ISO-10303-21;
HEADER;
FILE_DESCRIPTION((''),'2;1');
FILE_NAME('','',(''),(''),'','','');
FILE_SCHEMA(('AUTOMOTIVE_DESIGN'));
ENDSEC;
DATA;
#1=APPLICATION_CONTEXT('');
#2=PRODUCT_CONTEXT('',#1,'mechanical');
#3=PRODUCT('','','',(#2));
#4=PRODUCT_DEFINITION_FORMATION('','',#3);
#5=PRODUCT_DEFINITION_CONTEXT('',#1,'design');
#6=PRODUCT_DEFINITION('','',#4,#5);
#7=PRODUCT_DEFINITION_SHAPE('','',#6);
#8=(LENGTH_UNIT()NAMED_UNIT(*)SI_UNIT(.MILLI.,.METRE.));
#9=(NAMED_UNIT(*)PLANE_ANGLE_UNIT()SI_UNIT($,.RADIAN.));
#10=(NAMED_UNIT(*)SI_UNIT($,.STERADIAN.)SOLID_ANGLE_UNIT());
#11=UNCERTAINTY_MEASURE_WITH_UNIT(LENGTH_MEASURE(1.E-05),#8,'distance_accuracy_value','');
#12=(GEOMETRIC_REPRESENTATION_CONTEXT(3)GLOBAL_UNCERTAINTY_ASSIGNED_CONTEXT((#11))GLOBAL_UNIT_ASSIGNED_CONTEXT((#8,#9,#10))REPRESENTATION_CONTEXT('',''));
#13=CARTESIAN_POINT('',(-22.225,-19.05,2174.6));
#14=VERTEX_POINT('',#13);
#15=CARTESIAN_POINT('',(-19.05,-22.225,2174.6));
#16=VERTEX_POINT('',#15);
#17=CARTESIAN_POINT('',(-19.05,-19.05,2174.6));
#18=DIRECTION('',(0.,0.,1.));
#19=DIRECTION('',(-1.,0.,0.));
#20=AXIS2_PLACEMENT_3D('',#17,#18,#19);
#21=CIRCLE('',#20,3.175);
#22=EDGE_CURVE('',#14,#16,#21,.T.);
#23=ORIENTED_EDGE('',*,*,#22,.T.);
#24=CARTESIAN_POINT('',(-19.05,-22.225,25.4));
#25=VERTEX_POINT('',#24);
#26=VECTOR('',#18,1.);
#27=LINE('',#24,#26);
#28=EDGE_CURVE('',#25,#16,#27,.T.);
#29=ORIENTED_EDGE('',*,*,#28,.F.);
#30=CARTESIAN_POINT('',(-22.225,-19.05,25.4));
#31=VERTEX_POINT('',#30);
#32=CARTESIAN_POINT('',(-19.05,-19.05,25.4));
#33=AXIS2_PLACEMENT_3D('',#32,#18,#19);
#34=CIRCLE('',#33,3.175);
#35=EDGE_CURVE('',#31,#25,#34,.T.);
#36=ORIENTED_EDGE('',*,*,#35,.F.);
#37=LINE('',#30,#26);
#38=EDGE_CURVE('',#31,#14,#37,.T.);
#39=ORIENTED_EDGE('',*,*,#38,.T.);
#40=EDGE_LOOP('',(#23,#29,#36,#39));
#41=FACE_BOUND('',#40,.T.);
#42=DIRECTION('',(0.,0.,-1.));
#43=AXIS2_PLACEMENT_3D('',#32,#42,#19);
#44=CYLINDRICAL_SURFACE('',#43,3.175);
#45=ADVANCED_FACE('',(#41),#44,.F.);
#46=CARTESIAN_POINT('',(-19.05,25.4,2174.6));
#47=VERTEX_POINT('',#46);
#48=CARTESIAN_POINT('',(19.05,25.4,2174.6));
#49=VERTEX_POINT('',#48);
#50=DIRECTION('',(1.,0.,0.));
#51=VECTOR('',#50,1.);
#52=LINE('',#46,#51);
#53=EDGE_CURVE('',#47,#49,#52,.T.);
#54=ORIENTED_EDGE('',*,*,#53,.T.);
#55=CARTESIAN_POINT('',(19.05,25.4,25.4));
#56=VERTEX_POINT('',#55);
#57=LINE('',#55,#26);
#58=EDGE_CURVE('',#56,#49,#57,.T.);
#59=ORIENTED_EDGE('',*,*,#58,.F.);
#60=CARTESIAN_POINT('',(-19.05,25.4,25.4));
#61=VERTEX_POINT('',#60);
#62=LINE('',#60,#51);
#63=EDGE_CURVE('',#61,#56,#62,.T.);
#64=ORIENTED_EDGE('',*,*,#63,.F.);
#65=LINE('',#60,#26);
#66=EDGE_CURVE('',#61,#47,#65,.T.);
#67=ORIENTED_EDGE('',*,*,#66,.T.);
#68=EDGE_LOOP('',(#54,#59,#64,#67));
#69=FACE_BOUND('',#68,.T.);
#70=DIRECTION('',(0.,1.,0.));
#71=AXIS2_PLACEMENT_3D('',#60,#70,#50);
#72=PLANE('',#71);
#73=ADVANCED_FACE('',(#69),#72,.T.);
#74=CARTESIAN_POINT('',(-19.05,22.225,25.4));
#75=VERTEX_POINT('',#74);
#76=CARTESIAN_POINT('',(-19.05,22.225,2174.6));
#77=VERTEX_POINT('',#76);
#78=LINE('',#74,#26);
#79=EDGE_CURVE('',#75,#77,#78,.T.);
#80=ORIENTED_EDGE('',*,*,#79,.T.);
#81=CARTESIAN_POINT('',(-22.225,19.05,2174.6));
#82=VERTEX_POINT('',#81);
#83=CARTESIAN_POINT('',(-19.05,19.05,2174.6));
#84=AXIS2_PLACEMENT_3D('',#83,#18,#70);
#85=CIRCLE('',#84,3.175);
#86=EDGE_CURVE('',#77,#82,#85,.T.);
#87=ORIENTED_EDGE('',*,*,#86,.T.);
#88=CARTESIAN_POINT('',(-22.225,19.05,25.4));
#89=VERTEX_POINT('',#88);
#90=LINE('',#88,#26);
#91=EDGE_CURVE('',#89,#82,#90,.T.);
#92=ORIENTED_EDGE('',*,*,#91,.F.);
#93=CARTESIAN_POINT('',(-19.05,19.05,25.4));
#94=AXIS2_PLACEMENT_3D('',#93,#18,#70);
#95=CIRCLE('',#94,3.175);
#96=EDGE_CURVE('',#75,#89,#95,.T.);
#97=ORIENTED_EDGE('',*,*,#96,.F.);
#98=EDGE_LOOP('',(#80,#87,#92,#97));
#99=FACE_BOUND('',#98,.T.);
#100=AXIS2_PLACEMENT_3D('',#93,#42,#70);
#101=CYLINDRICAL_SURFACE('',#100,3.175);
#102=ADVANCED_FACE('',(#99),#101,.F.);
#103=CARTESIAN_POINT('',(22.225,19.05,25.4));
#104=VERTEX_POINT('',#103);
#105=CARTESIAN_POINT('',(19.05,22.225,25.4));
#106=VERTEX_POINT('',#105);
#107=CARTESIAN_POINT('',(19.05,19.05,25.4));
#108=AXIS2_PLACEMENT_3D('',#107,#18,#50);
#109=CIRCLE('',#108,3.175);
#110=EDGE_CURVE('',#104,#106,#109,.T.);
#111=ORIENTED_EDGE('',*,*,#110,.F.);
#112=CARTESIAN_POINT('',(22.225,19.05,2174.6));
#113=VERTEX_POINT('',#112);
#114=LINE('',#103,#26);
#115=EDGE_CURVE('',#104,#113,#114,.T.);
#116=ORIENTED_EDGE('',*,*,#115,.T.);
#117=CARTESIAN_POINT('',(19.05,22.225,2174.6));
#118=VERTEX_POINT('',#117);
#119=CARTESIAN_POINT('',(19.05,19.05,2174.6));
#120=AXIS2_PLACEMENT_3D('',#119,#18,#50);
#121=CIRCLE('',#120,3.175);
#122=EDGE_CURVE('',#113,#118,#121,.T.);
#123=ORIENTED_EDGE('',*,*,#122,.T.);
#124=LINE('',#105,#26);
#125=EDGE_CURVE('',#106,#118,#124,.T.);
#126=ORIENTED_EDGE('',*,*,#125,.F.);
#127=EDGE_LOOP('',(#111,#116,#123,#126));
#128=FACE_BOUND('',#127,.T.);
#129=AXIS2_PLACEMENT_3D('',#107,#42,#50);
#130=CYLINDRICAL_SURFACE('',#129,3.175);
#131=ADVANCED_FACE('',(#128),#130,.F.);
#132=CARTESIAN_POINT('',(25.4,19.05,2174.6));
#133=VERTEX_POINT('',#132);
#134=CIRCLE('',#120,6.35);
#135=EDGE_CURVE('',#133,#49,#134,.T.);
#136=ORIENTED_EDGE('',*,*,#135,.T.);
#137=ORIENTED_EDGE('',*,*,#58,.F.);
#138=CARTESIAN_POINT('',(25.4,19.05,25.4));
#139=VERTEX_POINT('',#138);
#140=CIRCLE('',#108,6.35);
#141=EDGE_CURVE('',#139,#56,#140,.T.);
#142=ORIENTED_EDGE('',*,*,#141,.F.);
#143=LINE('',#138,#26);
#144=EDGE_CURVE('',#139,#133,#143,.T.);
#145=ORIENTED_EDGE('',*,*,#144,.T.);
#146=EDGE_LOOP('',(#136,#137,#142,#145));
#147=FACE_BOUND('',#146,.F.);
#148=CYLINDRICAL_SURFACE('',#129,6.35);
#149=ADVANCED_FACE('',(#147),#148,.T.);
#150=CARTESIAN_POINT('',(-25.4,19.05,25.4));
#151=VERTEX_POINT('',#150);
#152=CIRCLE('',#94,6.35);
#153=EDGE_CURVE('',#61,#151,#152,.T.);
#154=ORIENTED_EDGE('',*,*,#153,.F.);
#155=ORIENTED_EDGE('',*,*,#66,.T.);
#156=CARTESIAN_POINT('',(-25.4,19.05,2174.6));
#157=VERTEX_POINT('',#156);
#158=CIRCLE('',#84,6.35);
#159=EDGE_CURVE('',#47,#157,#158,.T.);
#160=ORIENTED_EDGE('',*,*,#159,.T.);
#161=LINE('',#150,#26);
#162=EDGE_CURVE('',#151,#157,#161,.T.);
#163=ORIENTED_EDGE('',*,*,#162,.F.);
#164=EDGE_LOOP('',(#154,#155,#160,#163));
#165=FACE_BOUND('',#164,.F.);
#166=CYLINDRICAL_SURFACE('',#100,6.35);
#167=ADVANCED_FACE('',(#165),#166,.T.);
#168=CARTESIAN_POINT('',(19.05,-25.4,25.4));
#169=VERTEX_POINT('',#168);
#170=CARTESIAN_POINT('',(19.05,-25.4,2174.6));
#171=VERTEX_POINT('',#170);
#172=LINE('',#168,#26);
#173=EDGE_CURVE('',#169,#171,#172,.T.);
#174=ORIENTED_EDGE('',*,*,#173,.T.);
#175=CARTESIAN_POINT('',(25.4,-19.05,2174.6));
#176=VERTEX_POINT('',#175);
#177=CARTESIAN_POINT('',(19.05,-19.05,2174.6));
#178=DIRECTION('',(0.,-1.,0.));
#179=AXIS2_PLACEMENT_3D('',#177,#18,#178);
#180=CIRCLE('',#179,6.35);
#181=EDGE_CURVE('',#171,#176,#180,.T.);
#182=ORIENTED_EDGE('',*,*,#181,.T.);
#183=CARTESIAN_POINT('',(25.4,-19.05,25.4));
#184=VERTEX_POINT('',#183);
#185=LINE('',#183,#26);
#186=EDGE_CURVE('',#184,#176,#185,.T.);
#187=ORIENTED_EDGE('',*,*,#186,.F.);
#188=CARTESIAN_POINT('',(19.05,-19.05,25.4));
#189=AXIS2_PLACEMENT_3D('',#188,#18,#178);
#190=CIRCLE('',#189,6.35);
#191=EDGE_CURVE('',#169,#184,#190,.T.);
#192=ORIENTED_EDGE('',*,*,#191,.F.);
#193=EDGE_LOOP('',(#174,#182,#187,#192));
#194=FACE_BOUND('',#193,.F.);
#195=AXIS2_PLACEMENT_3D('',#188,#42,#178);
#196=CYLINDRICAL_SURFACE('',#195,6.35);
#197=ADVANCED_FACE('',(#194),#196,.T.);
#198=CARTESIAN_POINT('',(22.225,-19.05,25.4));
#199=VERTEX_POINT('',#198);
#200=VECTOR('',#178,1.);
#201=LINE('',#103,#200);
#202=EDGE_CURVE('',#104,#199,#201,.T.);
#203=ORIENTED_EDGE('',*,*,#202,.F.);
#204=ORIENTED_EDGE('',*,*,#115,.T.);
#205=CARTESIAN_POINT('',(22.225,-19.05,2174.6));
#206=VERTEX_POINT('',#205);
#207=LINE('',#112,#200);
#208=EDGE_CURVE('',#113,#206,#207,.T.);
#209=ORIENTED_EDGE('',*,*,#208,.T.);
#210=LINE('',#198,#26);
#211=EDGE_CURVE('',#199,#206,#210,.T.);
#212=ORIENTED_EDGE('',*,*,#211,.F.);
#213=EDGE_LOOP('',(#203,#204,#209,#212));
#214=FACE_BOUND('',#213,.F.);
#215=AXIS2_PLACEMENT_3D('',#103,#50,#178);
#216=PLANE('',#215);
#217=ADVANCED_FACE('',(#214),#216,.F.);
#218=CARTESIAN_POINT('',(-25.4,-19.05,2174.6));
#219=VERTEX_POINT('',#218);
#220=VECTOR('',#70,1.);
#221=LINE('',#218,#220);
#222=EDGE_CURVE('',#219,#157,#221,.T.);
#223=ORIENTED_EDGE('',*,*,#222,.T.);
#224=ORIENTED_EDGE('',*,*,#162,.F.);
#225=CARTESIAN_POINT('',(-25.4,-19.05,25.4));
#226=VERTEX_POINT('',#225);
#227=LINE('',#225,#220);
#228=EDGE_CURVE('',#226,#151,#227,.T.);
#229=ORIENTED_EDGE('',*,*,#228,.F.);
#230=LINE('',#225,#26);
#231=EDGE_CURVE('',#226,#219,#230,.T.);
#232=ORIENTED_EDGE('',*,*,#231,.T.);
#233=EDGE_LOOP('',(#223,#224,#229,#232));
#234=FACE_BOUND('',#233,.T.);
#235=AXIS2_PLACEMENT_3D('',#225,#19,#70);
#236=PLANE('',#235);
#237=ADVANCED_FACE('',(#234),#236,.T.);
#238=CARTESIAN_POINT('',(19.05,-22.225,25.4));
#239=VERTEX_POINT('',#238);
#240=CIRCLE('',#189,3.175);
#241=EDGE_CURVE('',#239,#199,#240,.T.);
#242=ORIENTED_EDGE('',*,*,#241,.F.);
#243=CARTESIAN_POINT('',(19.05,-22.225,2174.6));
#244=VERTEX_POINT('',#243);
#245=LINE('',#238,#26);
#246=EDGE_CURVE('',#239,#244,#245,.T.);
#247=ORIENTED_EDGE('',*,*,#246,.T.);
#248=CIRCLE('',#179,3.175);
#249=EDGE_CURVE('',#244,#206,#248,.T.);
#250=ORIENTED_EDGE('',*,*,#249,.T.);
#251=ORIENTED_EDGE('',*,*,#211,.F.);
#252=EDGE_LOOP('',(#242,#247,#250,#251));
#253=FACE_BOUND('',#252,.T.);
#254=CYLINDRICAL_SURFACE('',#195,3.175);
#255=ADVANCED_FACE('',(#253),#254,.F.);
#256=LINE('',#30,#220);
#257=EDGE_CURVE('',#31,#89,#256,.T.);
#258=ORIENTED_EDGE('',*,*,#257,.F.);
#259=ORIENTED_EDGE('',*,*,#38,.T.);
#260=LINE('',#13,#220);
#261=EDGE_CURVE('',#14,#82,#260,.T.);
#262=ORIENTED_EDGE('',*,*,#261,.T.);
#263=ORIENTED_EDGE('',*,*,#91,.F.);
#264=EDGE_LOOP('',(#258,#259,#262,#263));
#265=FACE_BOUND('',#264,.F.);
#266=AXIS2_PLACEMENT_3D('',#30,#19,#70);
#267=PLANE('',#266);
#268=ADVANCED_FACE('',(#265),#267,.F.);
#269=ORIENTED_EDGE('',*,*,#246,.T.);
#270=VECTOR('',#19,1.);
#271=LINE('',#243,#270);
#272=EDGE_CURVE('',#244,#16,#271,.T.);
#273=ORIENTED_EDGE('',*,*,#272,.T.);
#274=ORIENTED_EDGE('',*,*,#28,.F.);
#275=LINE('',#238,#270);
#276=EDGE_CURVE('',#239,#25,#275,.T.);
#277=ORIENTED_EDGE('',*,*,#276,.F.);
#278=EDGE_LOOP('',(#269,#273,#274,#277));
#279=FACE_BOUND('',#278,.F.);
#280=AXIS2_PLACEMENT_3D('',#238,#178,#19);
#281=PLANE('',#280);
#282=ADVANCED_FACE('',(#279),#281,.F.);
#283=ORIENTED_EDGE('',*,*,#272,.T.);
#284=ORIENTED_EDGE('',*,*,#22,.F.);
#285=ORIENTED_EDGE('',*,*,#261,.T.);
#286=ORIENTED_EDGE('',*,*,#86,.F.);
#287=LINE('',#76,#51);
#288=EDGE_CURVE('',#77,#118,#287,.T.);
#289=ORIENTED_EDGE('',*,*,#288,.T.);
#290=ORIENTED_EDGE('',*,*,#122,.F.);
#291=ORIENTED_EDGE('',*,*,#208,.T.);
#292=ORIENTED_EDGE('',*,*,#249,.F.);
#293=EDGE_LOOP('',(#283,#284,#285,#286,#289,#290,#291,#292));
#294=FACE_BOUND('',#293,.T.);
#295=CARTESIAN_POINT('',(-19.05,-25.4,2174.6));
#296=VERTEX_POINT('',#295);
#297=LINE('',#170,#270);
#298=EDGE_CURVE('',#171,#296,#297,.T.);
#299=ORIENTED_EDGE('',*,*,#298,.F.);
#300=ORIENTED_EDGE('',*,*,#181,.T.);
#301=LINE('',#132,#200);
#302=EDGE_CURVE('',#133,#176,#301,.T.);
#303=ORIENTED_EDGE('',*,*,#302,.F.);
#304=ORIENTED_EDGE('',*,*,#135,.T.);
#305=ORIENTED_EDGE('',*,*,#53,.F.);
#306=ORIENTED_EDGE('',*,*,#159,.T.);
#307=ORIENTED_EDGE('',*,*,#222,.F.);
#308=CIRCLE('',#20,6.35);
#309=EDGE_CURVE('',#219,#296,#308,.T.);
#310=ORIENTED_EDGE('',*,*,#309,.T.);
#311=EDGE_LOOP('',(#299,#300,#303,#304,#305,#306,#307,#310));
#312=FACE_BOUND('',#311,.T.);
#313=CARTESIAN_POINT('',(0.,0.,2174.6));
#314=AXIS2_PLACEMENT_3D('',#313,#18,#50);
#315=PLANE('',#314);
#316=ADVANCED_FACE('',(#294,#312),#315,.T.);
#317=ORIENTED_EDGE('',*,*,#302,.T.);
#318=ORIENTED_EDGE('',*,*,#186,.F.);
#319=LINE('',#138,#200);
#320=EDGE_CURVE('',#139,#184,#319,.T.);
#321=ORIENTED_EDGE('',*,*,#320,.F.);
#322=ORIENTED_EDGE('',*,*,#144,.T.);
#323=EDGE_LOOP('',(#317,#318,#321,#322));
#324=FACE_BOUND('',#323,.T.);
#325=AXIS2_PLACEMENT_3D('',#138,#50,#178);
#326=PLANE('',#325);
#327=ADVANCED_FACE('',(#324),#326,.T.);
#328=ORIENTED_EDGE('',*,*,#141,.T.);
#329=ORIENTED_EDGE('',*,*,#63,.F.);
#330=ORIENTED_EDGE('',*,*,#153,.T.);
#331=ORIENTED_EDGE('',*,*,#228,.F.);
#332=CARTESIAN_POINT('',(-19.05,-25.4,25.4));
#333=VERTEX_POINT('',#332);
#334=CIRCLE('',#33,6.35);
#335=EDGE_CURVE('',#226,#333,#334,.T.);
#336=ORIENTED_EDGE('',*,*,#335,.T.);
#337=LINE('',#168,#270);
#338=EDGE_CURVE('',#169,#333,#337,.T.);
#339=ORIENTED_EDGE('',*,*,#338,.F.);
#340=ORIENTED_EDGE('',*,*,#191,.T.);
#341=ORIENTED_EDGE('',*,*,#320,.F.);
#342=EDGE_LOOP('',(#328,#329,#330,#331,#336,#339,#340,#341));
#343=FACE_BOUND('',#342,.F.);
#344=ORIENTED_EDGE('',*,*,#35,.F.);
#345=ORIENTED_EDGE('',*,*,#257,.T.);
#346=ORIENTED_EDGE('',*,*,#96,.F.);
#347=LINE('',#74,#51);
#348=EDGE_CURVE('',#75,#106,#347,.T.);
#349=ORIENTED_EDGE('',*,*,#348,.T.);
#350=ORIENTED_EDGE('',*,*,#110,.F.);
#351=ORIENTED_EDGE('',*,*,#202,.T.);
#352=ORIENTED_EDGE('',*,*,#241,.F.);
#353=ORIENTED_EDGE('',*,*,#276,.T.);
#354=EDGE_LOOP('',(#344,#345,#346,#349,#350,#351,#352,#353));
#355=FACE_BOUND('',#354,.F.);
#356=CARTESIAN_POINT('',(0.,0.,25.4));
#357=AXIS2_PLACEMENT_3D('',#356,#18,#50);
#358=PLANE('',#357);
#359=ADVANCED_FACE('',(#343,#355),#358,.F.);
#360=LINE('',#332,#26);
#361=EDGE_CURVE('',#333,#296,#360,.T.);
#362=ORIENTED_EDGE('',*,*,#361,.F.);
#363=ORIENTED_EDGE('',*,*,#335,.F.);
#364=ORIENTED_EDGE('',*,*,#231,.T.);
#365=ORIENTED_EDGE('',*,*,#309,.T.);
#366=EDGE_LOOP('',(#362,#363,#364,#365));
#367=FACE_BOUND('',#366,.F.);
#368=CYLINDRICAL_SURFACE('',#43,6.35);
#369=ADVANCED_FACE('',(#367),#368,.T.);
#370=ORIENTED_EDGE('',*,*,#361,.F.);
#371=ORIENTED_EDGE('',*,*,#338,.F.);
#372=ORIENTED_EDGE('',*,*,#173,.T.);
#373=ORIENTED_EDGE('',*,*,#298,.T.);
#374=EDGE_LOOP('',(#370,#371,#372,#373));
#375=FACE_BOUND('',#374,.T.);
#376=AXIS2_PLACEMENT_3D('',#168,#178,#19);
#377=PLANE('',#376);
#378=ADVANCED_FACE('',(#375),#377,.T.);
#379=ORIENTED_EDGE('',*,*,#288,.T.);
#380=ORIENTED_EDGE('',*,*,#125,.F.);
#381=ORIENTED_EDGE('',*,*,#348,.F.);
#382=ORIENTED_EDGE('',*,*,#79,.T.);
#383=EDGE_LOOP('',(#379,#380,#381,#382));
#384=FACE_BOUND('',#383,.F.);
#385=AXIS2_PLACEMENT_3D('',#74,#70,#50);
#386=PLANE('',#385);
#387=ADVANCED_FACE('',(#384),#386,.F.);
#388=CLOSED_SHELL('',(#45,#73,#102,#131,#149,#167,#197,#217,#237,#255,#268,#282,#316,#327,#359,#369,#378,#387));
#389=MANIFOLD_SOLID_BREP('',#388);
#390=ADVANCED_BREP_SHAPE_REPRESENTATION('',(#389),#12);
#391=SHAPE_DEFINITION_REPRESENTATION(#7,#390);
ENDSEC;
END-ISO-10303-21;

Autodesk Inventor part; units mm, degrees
ref_plane "Plano inicial" through (0, 0, 25.4) normal (0, 0, 1) x (1, 0, 0)
ref_plane "Plano final" through (0, 0, 2174.6) normal (0, 0, 1) x (1, 0, 0)
sketch "Boceto" plane through (0, 0, 0) normal (0, 0, 1) x (1, 0, 0)
  line L0 (-25.4, -19.05) -> (-25.4, 19.05)
  line L1 (-19.05, 25.4) -> (19.05, 25.4)
  line L2 (25.4, 19.05) -> (25.4, -19.05)
  line L3 (19.05, -25.4) -> (-19.05, -25.4)
  arc A0 (-25.4, -19.05) -> (-19.05, -25.4) centre (-19.05, -19.05) ccw
  arc A1 (-19.05, 25.4) -> (-25.4, 19.05) centre (-19.05, 19.05) ccw
  arc A2 (25.4, 19.05) -> (19.05, 25.4) centre (19.05, 19.05) ccw
  arc A3 (19.05, -25.4) -> (25.4, -19.05) centre (19.05, -19.05) ccw
  arc A4 (-19.05, 22.225) -> (-22.225, 19.05) centre (-19.05, 19.05) ccw
  line L4 (-19.05, 22.225) -> (19.05, 22.225)
  arc A5 (22.225, 19.05) -> (19.05, 22.225) centre (19.05, 19.05) ccw
  line L5 (22.225, 19.05) -> (22.225, -19.05)
  arc A6 (19.05, -22.225) -> (22.225, -19.05) centre (19.05, -19.05) ccw
  line L6 (19.05, -22.225) -> (-19.05, -22.225)
  arc A7 (-22.225, -19.05) -> (-19.05, -22.225) centre (-19.05, -19.05) ccw
  line L7 (-22.225, -19.05) -> (-22.225, 19.05)
  line L8 (0, 37.4012) -> (0, -37.4012) construction
  line L9 (-37.4012, 0) -> (37.4012, 0) construction
  dimension "d10" = 50.8
  dimension "d11" = 50.8
  dimension "d12" = 3.175
  dimension "d15" = 25.4
  dimension "d16" = 25.4
  dimension "d17" = 6.35
extrude "Cuerpo" add sketch "Boceto" along normal up to surface (2149.2 mm away) from surface at 25.4
sketch "Sketch3" plane through (0, 0, 0) normal (0, 0, 1) x (1, 0, 0)
  line L0 (0, 0) -> (10, 0)
ref_plane "Work Plane3" through (0, 0, 0) normal (0, -1, 0) x (1, 0, 0)
ref_plane "Plano de trabajo4" through (1180.95, 0, 25.4) normal (0, 0, -1) x (-1, 0, 0)
split "Dividir1" plane through (1180.95, 0, 25.4) removes the side toward (0, 0, -1)
ref_plane "Plano de trabajo5" through (1200, -19.05, 2174.6) normal (0, 0, 1) x (1, 0, 0)
split "Dividir2" plane through (1200, -19.05, 2174.6) removes the side toward (0, 0, 1)
sketch "Sketch4" plane through (0, 0, 0) normal (0, -1, 0) x (1, 0, 0)
  line L0 (-2, 25.4) -> (12, 25.4) projected
  line L1 (-2, 2174.6) -> (12, 2174.6) projected
  dimension "d19" = 2149.2
equation "\"d10\" = G_H"
equation "\"d11\" = G_W"
equation "\"d12\" = G_T"
equation "\"d15\" = 0.5 * d10"
equation "\"d16\" = 0.5 * d11"
equation "\"d17\" = G_IR"
equation "\"d3\" = G_L"
equation "\"G_W\" = 50.8"
equation "\"G_H\" = 50.8"
equation "\"G_T\" = 3.175"
equation "\"G_IR\" = 6.35"
equation "\"G_L\" = d19"
equation "\"G_OFFSET_START\" = -25.4"
equation "\"G_OFFSET_END\" = -25.4"
equation "\"d13\" = -G_OFFSET_START"
equation "\"d14\" = G_OFFSET_END + B_L"
equation "\"B_L\" = 2200"
properties part number "AISC - 2 x 2 x 1/8 - 84,614" material "Acero, suave"
